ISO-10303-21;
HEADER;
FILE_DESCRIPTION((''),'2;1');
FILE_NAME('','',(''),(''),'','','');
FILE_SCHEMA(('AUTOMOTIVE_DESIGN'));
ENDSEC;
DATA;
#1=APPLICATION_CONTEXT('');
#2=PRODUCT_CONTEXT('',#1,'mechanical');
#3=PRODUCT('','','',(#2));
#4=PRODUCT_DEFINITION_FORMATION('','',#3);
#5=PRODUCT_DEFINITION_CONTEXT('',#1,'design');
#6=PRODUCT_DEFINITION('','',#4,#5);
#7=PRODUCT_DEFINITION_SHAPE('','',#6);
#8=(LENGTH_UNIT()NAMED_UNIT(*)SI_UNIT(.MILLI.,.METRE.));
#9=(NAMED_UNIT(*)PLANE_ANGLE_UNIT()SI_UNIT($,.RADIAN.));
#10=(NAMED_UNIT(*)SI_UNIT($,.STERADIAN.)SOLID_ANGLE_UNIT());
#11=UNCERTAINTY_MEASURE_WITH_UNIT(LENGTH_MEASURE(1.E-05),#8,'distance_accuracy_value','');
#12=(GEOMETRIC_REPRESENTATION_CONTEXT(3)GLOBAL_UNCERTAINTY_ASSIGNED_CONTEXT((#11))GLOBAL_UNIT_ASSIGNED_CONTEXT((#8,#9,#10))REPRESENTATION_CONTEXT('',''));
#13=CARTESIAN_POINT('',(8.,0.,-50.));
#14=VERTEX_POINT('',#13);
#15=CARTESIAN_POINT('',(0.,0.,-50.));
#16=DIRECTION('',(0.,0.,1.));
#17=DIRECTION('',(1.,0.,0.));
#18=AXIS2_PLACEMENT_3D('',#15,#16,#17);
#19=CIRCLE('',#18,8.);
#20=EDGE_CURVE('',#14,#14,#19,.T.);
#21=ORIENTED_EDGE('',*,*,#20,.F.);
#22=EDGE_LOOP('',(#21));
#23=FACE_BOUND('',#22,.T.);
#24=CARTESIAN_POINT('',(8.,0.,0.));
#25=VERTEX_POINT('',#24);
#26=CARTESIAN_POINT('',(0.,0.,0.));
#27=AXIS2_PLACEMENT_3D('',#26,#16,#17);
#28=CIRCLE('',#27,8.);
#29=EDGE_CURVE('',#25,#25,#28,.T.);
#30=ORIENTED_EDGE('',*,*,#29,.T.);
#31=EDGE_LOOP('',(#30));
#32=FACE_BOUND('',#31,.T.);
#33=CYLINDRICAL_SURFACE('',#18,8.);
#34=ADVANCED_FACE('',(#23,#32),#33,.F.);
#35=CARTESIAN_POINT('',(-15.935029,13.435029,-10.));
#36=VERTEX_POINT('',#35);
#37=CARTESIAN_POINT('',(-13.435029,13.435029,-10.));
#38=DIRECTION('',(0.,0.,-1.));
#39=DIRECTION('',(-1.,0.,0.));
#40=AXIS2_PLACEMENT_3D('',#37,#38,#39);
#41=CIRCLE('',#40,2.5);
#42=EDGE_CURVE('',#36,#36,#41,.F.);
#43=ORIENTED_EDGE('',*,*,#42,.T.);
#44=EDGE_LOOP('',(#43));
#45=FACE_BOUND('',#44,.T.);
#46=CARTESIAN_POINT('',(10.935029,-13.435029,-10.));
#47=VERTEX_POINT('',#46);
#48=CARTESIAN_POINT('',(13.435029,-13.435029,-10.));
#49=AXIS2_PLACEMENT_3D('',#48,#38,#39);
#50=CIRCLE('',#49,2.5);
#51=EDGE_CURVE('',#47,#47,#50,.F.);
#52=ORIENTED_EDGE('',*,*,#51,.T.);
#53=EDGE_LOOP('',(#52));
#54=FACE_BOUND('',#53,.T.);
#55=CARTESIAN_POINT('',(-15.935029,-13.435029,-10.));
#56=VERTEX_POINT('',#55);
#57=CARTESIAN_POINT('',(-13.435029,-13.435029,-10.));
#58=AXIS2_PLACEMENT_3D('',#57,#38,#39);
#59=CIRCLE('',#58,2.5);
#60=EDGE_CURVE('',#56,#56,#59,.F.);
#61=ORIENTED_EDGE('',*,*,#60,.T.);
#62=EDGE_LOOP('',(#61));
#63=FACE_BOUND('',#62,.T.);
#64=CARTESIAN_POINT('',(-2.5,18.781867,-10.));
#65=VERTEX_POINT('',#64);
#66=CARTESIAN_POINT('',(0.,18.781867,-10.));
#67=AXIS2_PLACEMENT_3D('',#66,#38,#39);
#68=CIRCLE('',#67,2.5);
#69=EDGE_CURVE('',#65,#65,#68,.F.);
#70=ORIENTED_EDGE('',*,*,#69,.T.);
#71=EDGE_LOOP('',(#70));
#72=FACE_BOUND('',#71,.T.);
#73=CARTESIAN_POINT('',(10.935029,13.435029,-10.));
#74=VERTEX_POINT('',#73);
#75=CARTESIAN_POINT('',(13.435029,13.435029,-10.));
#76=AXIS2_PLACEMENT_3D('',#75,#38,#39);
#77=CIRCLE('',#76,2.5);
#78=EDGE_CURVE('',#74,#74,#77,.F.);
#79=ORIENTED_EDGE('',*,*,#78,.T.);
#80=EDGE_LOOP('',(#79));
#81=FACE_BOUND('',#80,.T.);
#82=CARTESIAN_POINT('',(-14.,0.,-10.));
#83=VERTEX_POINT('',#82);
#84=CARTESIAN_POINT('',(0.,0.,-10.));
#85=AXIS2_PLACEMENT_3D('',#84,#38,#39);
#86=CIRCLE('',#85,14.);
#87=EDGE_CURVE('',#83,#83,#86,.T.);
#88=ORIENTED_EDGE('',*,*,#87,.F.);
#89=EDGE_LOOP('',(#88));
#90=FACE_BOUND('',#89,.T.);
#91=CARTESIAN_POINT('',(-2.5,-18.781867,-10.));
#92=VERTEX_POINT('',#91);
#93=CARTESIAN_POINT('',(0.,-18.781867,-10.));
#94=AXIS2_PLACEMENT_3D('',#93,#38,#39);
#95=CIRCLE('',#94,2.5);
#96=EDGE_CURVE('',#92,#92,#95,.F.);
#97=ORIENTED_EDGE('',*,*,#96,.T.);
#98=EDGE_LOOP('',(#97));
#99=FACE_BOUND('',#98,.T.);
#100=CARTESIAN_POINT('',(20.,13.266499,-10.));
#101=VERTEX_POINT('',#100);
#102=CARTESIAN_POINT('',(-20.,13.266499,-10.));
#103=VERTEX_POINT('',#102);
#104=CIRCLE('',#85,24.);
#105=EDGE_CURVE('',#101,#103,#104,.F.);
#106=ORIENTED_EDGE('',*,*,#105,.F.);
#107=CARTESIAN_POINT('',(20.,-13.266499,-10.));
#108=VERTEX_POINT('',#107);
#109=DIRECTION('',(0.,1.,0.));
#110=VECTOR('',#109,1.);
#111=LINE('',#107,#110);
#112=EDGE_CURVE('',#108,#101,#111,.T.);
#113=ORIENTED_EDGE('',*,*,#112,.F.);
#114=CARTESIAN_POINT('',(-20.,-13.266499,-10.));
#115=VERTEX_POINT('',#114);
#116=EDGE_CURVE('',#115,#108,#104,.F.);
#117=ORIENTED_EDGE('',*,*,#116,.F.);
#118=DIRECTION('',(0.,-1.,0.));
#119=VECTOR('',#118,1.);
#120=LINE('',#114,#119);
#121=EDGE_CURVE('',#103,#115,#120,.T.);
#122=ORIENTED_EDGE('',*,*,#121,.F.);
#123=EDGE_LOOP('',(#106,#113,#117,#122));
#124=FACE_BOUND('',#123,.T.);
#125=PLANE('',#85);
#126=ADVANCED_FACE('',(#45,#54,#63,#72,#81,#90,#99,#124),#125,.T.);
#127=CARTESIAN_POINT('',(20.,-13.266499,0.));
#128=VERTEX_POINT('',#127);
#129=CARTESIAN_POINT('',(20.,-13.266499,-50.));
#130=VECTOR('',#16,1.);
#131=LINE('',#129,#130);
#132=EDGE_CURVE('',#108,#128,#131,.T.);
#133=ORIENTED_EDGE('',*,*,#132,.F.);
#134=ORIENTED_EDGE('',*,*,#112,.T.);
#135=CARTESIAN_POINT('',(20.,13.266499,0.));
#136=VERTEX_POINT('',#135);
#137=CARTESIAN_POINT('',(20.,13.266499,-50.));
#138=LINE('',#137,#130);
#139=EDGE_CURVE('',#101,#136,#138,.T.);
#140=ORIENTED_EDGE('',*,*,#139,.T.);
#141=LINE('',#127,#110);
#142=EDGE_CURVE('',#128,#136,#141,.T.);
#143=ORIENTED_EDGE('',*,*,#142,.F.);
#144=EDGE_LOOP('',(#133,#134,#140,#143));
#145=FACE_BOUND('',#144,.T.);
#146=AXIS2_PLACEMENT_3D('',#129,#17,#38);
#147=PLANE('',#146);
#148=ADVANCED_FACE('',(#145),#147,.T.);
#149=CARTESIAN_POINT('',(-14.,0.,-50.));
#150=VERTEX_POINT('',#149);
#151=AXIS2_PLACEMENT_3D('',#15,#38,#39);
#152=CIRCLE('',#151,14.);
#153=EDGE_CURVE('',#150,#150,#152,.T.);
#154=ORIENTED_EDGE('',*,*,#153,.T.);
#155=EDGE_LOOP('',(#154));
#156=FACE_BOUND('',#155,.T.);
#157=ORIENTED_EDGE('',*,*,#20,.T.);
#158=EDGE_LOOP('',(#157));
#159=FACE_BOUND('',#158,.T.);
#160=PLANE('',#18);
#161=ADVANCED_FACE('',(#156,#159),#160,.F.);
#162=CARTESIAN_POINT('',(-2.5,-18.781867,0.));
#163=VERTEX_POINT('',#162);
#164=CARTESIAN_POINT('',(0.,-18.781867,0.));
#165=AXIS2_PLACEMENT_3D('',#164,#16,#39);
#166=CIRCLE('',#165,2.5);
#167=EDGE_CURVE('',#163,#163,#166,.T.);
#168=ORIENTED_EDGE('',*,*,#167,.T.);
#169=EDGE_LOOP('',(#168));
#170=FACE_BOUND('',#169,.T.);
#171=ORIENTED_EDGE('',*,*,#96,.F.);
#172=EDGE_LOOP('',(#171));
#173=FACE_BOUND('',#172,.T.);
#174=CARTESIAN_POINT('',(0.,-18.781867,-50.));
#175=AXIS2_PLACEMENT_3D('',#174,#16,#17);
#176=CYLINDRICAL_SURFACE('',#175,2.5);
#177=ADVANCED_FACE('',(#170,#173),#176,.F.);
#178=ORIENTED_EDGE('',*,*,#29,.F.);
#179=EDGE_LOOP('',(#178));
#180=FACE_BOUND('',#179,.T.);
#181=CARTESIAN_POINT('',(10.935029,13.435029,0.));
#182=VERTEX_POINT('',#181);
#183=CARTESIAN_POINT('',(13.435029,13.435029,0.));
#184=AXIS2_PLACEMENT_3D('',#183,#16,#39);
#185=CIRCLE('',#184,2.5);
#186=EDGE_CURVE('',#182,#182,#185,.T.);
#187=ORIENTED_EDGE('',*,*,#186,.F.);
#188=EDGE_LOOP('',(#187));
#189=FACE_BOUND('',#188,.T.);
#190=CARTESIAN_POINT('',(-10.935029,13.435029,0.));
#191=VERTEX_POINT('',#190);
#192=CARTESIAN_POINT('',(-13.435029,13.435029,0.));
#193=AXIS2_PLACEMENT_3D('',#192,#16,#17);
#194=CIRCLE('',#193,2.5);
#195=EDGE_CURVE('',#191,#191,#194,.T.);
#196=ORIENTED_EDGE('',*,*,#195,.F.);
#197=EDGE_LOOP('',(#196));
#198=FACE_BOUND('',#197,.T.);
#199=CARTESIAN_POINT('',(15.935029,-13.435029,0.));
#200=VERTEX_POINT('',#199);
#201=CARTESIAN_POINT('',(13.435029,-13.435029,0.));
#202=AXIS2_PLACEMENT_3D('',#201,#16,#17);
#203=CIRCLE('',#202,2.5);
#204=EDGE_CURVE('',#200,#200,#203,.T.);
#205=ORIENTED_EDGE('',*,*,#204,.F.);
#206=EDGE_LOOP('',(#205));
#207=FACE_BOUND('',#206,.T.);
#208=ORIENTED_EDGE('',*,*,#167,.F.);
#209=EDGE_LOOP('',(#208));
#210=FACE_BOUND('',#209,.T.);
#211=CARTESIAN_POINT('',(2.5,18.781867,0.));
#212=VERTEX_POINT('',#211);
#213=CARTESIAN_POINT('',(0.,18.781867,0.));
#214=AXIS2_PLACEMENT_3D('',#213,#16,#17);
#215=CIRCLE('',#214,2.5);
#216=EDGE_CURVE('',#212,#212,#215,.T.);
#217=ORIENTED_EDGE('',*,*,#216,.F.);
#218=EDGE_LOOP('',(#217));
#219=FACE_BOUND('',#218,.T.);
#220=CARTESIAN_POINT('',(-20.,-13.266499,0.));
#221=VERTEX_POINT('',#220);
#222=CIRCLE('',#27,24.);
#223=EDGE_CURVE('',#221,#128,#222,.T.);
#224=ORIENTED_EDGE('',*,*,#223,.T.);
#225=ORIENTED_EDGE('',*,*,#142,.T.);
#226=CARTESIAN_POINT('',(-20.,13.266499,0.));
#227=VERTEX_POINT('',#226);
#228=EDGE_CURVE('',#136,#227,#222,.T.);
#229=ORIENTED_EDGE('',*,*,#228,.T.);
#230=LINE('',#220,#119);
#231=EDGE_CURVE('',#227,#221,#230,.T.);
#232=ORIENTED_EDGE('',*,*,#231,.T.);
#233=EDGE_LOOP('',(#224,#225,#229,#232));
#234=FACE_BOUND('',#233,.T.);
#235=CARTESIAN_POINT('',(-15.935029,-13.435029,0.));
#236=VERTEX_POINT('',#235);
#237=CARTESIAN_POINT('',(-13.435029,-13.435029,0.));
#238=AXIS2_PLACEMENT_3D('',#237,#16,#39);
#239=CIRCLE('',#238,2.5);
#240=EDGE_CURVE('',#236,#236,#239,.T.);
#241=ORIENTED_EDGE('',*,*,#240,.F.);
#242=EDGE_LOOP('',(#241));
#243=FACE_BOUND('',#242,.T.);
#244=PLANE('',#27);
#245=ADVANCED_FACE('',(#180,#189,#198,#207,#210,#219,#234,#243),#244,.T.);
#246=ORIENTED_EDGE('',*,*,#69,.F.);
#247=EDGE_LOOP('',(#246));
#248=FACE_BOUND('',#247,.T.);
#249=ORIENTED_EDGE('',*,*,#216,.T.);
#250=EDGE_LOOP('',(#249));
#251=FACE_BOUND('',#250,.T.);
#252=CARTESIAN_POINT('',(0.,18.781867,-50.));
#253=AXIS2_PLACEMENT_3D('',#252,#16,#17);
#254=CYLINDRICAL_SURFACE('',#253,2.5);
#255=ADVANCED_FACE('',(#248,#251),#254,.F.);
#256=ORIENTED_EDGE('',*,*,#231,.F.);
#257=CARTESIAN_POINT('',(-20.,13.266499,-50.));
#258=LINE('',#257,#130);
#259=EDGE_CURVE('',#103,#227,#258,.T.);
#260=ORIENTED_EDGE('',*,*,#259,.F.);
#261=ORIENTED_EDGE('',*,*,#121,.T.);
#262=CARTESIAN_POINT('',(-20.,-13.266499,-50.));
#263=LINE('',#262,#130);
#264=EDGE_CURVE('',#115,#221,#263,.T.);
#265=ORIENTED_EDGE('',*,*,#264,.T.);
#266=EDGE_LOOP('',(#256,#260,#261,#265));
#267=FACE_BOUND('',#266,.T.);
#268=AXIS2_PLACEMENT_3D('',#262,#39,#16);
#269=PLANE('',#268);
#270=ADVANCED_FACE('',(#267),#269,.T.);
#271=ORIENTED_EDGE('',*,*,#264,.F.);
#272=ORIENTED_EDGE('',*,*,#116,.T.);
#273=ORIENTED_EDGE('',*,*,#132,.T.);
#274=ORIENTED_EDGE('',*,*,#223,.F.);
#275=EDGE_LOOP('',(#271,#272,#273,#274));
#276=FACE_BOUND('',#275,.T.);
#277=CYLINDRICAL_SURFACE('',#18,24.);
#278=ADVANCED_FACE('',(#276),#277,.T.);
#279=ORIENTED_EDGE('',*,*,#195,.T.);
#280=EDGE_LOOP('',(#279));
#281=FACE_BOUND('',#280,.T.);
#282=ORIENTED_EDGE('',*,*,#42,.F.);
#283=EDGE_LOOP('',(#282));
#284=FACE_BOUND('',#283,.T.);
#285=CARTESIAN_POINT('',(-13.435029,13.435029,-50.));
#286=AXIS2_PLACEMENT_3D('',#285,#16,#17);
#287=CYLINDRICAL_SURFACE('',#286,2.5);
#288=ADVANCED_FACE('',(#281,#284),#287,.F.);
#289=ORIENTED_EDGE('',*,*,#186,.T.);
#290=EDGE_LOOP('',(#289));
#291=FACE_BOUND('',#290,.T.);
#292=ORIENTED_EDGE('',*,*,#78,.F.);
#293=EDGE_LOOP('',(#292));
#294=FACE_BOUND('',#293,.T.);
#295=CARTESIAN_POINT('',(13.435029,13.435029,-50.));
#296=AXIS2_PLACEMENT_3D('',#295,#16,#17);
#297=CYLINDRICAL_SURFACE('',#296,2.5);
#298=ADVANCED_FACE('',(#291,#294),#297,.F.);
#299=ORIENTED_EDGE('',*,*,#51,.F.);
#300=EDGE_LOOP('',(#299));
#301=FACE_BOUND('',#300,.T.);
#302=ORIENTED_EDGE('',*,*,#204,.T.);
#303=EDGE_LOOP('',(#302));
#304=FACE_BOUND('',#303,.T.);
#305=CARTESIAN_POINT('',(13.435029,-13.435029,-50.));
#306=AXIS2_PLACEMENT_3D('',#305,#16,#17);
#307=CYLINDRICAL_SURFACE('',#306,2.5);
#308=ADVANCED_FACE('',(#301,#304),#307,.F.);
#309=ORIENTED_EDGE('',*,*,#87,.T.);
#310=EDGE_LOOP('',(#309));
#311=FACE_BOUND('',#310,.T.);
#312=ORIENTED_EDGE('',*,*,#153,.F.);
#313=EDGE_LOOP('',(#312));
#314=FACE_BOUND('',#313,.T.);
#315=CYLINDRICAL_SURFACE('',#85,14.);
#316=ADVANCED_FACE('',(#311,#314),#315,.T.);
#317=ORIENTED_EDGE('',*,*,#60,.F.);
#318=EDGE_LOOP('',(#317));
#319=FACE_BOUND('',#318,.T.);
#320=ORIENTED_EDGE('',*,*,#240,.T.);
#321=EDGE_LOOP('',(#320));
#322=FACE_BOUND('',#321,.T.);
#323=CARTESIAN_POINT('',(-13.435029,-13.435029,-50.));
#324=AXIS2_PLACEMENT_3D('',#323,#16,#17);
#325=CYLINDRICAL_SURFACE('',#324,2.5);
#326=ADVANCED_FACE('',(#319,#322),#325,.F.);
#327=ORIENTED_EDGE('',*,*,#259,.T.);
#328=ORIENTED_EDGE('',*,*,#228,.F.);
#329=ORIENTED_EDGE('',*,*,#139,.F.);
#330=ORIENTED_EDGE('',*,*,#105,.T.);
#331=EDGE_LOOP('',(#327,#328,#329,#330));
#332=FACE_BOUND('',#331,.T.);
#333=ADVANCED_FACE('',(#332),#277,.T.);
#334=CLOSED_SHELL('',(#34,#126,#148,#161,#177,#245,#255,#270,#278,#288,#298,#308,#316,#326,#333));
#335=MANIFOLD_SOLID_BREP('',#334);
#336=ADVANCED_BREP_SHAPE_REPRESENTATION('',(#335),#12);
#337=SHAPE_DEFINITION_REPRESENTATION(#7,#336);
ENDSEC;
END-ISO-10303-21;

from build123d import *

# Parameters (mm, degrees)
SCHIZZO1_R                   = 8
SCHIZZO1_R_2                 = 2.5
ESTRUSIONE_ESTRUSIONE1_DEPTH = 50
SCHIZZO2_OUTSIDE_W           = 58.004
SCHIZZO2_OUTSIDE_H           = 66.004
SCHIZZO2_OUTSIDE_R           = 14
TAGLIO_ESTRUSIONE1_DEPTH     = 40


with BuildPart() as part:
    # Schizzo1 → Estrusione-Estrusione1 (new body)
    with BuildSketch(Plane.XY):
        with BuildLine():
            Line((20, -13.266499161), (20, 13.266499161))
            ThreePointArc((20, 13.266499161), (0, 24), (-20, 13.266499161))
            Line((-20, 13.266499161), (-20, -13.266499161))
            ThreePointArc((-20, -13.266499161), (0, -24), (20, -13.266499161))
        make_face()
        Circle(SCHIZZO1_R, mode=Mode.SUBTRACT)
        with Locations((-13.435028843, 13.435028843)):
            Circle(SCHIZZO1_R_2, mode=Mode.SUBTRACT)
        with Locations((13.435028843, 13.435028843)):
            Circle(SCHIZZO1_R_2, mode=Mode.SUBTRACT)
        with Locations((13.435028843, -13.435028843)):
            Circle(SCHIZZO1_R_2, mode=Mode.SUBTRACT)
        with Locations((-13.435028843, -13.435028843)):
            Circle(SCHIZZO1_R_2, mode=Mode.SUBTRACT)
        with Locations((0, 18.781867411)):
            Circle(SCHIZZO1_R_2, mode=Mode.SUBTRACT)
        with Locations((0, -18.781867411)):
            Circle(SCHIZZO1_R_2, mode=Mode.SUBTRACT)
    extrude(amount=-ESTRUSIONE_ESTRUSIONE1_DEPTH)

    # Schizzo2 outside → Taglio-Estrusione1 (cut)
    with BuildSketch(Plane(origin=(0, 0, -50), x_dir=(-1, 0, 0), z_dir=(0, 0, -1))):
        Rectangle(SCHIZZO2_OUTSIDE_W, SCHIZZO2_OUTSIDE_H)
        Circle(SCHIZZO2_OUTSIDE_R, mode=Mode.SUBTRACT)
    extrude(amount=-TAGLIO_ESTRUSIONE1_DEPTH, mode=Mode.SUBTRACT)


solid = part.part
